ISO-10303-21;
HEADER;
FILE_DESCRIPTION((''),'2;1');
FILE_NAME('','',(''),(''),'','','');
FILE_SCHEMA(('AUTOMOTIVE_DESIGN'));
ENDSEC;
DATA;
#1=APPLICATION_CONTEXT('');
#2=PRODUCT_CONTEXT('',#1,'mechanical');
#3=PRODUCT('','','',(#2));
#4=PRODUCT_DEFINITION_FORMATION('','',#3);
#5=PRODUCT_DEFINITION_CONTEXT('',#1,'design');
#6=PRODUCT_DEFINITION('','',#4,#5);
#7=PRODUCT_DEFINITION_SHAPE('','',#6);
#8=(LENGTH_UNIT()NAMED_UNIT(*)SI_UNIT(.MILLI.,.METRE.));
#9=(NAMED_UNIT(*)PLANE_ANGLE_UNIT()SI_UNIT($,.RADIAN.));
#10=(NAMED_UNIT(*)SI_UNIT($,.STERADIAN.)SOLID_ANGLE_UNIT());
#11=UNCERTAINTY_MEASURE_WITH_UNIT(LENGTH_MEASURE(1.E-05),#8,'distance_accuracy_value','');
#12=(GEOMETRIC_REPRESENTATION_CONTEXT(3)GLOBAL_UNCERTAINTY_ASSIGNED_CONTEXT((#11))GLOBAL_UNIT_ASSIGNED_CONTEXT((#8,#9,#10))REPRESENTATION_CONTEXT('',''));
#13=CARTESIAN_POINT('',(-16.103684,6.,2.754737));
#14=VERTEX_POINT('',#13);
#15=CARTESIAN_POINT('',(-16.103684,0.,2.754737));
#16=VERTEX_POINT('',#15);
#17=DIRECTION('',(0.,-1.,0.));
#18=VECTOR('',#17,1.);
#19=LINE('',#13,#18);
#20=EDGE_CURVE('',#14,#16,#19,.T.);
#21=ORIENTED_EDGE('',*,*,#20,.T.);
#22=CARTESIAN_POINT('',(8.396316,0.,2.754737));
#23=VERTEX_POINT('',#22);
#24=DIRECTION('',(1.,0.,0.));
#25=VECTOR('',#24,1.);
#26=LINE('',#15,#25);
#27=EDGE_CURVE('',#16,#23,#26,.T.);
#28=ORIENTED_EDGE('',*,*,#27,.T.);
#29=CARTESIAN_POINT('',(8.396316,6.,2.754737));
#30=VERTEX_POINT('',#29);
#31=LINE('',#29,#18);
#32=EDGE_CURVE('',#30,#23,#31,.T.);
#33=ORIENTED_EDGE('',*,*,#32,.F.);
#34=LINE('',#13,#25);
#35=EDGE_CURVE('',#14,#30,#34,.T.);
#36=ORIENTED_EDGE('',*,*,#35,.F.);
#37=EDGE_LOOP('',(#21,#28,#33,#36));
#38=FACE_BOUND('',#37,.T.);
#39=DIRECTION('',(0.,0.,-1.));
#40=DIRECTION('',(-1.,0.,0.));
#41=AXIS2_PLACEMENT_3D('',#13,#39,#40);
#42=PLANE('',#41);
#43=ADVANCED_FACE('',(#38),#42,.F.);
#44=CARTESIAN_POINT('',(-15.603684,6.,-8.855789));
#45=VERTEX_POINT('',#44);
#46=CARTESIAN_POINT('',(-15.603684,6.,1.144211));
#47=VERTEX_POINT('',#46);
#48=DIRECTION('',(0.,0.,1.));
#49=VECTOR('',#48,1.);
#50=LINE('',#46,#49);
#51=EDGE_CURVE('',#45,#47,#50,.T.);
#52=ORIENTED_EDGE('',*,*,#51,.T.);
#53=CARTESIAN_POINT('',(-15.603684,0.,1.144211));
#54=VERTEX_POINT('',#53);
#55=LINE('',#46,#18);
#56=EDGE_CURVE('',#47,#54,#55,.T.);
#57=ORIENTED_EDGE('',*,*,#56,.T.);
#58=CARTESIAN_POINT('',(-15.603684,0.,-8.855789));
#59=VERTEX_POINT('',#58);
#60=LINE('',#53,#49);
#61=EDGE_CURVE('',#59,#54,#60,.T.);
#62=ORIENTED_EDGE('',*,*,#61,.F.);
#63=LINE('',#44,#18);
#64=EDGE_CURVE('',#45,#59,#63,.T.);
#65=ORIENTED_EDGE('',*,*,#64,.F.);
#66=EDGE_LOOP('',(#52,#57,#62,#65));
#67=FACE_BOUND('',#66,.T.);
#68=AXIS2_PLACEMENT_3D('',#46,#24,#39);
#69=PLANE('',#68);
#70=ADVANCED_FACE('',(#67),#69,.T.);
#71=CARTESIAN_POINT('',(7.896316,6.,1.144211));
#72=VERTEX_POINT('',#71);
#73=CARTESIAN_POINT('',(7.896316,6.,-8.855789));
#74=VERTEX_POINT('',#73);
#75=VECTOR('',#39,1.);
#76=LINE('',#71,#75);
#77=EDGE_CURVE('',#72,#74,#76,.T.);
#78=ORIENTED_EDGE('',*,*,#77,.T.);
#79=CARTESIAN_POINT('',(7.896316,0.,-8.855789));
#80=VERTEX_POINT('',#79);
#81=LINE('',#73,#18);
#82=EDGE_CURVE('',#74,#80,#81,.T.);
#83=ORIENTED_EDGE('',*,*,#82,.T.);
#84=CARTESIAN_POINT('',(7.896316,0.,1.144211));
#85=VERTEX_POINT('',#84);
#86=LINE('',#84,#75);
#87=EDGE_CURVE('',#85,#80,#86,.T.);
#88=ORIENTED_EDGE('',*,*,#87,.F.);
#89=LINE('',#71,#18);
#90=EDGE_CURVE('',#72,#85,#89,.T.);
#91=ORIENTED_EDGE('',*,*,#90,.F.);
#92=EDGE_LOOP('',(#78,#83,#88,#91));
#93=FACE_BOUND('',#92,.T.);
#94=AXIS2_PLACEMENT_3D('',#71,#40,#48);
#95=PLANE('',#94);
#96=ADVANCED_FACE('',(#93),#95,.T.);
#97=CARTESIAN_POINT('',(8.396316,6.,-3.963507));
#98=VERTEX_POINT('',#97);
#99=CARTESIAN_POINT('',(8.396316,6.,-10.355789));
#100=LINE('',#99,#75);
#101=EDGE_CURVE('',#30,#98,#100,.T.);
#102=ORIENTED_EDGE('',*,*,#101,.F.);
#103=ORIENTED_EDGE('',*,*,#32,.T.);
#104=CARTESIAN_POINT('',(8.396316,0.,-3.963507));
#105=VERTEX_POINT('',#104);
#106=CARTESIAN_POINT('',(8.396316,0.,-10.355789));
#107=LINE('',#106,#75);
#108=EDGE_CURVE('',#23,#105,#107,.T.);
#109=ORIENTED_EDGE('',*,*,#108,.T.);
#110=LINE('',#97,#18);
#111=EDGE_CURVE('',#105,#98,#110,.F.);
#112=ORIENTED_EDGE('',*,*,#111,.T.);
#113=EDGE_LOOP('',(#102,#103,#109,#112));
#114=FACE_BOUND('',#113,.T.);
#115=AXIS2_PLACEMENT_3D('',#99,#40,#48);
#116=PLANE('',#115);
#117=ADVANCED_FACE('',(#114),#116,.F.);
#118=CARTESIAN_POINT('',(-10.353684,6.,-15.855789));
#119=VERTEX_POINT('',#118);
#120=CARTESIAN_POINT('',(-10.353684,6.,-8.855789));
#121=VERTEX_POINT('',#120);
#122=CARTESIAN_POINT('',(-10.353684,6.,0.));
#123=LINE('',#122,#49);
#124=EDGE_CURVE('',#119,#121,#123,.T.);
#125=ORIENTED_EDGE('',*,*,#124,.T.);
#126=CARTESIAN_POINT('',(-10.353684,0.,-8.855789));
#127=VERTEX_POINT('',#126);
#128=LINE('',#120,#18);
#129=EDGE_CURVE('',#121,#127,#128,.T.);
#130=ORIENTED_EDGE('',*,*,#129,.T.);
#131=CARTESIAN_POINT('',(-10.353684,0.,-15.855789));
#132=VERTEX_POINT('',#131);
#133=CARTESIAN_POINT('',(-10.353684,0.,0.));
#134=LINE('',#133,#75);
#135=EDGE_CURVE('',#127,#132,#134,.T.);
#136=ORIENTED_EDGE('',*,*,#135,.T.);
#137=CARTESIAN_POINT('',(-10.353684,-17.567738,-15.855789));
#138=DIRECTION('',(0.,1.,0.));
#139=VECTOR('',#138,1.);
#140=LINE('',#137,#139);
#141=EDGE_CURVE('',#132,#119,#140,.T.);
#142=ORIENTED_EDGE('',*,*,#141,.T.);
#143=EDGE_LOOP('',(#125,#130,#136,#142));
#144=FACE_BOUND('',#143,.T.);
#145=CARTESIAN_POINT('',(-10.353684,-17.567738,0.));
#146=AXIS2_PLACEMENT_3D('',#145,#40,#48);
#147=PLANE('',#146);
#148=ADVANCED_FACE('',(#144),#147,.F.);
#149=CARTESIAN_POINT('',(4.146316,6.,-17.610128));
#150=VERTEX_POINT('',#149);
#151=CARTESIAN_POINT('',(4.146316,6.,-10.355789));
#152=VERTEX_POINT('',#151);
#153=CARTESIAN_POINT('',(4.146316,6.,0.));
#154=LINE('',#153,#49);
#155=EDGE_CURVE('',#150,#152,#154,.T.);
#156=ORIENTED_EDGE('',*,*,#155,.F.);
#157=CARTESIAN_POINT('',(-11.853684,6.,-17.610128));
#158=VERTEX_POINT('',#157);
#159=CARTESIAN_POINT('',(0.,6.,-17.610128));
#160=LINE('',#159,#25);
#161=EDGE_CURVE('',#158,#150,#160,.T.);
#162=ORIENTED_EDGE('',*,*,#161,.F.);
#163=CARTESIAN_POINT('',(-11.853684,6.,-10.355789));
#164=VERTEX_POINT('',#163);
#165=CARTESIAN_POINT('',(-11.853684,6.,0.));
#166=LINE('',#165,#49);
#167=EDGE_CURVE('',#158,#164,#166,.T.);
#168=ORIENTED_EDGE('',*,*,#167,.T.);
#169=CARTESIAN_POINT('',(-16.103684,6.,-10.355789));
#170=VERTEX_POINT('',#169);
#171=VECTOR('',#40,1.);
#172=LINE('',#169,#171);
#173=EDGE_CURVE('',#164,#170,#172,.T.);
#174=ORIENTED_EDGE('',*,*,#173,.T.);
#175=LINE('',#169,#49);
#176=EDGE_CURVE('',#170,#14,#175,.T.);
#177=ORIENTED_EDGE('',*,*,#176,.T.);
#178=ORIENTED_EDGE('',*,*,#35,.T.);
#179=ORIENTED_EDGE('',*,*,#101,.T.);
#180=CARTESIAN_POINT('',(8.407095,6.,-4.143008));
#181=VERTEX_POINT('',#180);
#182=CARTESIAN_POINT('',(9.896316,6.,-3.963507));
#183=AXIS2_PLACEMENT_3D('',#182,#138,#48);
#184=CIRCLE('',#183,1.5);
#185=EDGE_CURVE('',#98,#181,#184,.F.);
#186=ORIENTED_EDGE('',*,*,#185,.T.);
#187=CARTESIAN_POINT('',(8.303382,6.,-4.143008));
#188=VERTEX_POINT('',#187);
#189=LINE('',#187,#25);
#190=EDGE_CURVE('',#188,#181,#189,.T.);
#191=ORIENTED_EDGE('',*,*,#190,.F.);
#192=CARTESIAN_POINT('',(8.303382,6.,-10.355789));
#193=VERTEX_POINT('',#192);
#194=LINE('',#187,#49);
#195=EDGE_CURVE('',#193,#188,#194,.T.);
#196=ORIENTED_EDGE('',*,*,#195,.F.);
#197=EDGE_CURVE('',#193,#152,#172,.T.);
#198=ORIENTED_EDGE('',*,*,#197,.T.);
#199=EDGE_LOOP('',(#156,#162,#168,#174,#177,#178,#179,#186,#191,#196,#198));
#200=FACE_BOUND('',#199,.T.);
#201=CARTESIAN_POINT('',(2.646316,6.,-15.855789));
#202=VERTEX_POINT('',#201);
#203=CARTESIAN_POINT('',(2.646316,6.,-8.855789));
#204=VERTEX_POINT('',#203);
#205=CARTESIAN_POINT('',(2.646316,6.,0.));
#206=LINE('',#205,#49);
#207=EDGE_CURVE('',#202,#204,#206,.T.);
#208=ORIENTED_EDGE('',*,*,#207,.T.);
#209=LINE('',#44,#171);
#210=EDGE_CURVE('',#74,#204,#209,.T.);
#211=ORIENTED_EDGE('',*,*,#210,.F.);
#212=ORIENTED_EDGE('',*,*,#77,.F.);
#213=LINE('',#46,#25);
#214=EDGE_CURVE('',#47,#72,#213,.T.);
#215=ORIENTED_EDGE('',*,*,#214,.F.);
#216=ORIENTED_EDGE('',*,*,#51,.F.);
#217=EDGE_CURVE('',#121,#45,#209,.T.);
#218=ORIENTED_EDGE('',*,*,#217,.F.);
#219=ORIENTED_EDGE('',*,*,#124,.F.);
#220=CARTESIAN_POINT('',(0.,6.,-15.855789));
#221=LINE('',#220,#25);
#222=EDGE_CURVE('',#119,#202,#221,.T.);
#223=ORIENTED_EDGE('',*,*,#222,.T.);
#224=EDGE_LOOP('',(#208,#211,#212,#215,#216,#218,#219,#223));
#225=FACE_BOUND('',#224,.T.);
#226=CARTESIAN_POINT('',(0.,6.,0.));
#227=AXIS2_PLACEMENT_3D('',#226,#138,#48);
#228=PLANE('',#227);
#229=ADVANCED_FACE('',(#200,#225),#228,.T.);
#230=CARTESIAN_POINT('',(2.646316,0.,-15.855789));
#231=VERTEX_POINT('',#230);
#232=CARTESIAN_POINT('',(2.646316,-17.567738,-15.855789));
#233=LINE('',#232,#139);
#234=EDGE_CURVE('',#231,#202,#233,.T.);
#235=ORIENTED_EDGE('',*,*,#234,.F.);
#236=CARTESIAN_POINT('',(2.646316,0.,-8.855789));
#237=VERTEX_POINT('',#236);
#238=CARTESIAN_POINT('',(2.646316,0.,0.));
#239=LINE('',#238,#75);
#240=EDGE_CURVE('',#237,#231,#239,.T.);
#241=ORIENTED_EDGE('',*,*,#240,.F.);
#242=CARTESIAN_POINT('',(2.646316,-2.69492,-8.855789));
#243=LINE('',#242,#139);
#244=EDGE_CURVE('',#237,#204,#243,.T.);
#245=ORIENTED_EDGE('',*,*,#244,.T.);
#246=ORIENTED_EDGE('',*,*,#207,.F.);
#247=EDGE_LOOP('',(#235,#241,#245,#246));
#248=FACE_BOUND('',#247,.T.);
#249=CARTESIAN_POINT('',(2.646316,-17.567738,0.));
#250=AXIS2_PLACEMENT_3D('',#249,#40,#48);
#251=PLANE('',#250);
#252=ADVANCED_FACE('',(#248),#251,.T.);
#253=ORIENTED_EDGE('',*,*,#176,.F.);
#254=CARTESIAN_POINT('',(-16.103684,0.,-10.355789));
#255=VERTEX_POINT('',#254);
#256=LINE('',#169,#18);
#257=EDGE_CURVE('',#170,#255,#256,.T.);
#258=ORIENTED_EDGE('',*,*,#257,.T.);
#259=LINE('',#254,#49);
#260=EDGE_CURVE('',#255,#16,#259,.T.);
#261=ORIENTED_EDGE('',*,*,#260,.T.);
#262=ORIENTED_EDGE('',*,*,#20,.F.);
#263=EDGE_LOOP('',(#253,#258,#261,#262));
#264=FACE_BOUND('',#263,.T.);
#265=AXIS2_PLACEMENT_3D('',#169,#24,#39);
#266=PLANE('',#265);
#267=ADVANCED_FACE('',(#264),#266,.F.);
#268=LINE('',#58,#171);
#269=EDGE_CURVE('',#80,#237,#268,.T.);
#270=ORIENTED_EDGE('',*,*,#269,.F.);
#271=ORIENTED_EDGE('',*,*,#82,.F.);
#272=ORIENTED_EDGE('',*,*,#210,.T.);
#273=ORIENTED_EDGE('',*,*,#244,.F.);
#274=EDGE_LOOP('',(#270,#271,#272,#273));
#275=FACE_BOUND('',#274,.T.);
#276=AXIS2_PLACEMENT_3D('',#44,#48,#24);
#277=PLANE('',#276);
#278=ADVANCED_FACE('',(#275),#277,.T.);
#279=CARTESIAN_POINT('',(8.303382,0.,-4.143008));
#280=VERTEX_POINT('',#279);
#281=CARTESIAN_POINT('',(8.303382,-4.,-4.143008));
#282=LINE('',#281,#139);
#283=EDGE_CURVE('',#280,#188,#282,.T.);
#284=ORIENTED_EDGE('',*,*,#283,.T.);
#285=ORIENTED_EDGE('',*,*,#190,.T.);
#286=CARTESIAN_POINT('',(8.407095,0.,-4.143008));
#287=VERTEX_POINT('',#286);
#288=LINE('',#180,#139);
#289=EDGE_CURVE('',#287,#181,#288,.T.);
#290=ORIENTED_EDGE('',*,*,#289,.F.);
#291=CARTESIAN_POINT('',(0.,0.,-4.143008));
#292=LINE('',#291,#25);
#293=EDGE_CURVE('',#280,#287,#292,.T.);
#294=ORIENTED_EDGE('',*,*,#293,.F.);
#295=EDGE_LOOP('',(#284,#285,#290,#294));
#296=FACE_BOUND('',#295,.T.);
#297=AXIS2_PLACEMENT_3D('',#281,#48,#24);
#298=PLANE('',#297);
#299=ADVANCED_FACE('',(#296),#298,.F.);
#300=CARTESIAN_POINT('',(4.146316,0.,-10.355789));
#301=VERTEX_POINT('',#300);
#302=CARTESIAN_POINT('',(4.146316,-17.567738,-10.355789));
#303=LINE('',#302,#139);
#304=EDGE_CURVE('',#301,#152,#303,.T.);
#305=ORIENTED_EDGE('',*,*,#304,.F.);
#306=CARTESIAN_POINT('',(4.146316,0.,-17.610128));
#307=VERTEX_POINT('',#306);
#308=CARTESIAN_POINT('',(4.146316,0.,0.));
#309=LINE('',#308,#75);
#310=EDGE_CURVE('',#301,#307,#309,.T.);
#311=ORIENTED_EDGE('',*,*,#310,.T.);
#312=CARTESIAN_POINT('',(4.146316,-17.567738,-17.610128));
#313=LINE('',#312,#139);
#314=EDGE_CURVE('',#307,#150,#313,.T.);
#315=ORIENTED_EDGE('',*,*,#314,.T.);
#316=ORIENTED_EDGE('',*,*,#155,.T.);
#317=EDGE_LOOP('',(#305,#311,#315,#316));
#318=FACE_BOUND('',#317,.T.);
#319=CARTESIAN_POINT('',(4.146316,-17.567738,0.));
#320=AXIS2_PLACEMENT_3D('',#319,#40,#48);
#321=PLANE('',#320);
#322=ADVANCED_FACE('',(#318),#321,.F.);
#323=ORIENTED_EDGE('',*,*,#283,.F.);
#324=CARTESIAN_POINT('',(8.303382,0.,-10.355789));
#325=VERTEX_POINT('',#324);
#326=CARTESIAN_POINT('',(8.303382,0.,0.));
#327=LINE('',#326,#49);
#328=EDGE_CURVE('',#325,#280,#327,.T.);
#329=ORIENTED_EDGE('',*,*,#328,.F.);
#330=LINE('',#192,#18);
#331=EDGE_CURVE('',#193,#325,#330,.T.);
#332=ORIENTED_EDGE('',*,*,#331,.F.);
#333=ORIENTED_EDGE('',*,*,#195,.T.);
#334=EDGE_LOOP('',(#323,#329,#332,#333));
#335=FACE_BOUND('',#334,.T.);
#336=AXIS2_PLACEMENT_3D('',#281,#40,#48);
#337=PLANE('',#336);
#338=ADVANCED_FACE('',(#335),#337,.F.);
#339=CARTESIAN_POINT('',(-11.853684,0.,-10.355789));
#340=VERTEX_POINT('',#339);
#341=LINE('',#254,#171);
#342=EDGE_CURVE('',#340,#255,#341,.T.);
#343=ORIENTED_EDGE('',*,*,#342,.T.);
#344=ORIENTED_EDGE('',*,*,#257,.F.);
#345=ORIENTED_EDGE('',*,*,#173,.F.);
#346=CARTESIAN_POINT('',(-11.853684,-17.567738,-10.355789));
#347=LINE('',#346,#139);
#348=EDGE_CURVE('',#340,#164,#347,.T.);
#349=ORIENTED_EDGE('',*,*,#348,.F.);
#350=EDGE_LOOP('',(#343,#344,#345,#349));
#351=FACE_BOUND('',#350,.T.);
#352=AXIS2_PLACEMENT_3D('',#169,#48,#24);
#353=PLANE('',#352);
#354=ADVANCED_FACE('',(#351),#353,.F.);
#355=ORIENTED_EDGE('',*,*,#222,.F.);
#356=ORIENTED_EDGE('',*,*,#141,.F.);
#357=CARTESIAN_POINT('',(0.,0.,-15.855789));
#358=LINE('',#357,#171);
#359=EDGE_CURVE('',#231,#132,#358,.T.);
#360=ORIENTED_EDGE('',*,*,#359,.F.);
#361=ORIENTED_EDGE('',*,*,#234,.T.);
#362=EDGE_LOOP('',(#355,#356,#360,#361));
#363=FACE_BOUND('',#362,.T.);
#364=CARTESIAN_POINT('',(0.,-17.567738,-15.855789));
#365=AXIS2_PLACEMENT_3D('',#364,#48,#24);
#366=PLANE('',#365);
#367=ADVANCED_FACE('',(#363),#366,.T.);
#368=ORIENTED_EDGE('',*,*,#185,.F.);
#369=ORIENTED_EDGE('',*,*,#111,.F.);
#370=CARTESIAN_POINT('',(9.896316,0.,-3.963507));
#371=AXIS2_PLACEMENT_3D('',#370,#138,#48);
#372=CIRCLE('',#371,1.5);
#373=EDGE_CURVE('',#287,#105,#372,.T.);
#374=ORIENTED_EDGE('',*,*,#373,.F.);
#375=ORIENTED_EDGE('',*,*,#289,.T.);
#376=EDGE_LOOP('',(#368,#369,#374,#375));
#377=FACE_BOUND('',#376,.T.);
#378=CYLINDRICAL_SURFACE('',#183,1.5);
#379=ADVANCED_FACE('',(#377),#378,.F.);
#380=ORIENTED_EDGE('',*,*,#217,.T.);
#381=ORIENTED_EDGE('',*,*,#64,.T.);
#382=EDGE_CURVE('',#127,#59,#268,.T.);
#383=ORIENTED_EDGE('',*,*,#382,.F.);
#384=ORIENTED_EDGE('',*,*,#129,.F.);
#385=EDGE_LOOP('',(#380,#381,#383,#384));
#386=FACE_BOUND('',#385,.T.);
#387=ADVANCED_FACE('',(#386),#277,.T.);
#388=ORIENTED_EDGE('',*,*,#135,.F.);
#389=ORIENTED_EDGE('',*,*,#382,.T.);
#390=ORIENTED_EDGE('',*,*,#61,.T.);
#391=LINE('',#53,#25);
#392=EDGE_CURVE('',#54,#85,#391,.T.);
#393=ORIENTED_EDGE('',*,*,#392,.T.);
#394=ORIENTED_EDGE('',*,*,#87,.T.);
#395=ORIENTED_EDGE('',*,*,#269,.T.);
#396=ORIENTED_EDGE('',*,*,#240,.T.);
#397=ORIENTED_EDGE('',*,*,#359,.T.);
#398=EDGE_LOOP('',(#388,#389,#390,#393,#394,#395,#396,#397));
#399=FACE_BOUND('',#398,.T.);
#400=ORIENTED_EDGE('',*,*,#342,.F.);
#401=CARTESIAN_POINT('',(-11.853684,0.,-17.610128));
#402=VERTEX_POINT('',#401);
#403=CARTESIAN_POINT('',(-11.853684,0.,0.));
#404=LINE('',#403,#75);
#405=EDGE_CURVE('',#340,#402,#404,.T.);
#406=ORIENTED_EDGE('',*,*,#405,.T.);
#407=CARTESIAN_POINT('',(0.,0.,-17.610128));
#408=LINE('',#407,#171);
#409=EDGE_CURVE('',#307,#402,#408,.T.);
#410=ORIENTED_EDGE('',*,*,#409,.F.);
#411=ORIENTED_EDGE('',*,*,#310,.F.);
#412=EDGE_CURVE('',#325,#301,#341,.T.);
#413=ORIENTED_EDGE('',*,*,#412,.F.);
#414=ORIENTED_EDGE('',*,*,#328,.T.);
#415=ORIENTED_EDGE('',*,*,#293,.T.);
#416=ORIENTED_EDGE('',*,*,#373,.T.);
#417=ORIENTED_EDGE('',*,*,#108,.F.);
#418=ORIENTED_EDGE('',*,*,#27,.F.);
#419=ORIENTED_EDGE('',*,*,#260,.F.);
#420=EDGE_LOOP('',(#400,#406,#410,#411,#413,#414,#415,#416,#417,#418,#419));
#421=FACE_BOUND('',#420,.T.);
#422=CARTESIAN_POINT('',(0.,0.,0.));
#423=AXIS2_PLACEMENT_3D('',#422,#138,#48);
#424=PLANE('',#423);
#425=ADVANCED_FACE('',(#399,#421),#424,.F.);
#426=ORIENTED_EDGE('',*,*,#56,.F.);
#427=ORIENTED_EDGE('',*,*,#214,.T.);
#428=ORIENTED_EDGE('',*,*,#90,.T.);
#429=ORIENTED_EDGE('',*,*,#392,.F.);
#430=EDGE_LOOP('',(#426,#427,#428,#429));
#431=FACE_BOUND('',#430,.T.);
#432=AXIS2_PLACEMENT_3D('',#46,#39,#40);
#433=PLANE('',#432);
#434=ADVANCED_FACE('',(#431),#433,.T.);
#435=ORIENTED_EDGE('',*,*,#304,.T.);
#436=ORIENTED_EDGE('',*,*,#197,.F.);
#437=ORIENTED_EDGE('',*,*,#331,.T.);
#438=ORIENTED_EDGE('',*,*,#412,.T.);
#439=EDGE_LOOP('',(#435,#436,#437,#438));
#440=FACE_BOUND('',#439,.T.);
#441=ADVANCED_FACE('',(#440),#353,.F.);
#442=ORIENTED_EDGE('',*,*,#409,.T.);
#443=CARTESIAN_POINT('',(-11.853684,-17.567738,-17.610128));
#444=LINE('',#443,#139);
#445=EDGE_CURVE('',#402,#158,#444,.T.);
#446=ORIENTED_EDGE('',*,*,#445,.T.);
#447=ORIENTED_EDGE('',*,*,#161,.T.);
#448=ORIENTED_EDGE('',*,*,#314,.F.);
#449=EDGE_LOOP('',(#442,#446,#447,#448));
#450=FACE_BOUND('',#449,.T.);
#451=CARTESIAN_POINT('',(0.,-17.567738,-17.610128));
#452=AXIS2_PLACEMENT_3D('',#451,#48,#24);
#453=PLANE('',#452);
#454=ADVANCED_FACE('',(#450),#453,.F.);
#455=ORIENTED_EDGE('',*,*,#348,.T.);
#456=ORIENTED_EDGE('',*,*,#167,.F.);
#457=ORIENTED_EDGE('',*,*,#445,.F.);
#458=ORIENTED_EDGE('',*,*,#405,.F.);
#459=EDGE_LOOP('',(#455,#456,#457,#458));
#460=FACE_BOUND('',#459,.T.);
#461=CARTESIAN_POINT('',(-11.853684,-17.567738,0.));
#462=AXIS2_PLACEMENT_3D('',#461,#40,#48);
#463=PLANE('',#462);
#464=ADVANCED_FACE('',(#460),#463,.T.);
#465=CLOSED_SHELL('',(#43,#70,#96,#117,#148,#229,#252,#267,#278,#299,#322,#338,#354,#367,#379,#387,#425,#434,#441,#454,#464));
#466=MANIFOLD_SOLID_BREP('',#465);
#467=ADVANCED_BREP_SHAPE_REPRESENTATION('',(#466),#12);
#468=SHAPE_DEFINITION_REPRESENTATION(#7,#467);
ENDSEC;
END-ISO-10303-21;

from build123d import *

# Parameters (mm, degrees)
SKETCH1_W           = 24.5
SKETCH1_H           = 13.110526316
SKETCH1_W_2         = 23.5
SKETCH1_H_2         = 10
BOSS_EXTRUDE1_DEPTH = 6
BOSS_EXTRUDE2_DEPTH = 6
SKETCH3_W           = 13.982681085
SKETCH3_H           = 4.437803864
CUT_EXTRUDE1_DEPTH  = 11
SKETCH4_W           = 0.982681085
SKETCH4_H           = 2.509369157
BOSS_EXTRUDE3_DEPTH = 6
SKETCH5_W           = 4.892282449
SKETCH5_H           = 6
BOSS_EXTRUDE4_DEPTH = 3.3
FILLET1_R           = 1.5
SKETCH6_W           = 3.982650634
SKETCH6_H           = 6.804776745
CUT_EXTRUDE2_DEPTH  = 10


with BuildPart() as part:
    # Sketch1 → Boss-Extrude1 (new body)
    with BuildSketch(Plane(origin=(0, 0, 0), x_dir=(1, 0, 0), z_dir=(0, 1, 0))):
        with Locations((-3.853684211, 3.800526316)):
            Rectangle(SKETCH1_W, SKETCH1_H)
        with Locations((-3.853684211, 3.855789474)):
            Rectangle(SKETCH1_W_2, SKETCH1_H_2, mode=Mode.SUBTRACT)
    extrude(amount=BOSS_EXTRUDE1_DEPTH)

    # Sketch2 → Boss-Extrude2 (add)
    with BuildSketch(Plane(origin=(0, 6, 0), x_dir=(1, 0, 0), z_dir=(0, 1, 0))):
        Polygon((-10.353684211, 10.355789474), (-10.353684211, 15.855789474), (2.646315789, 15.855789474), (2.646315789, 10.355789474), (4.146315789, 10.355789474), (4.146315789, 17.610127639), (-11.853684211, 17.610127639), (-11.853684211, 10.355789474), align=None)
    extrude(amount=-BOSS_EXTRUDE2_DEPTH)

    # Sketch3 → Cut-Extrude1 (cut)
    with BuildSketch(Plane(origin=(0, 6, 0), x_dir=(1, 0, 0), z_dir=(0, 1, 0))):
        with Locations((-3.362343669, 9.146256699)):
            Rectangle(SKETCH3_W, SKETCH3_H)
    extrude(amount=-CUT_EXTRUDE1_DEPTH, mode=Mode.SUBTRACT)

    # Sketch4 → Boss-Extrude3 (add)
    with BuildSketch(Plane(origin=(0, 6, 0), x_dir=(1, 0, 0), z_dir=(0, 1, 0))):
        with Locations((3.137656332, 10.110474052)):
            Rectangle(SKETCH4_W, SKETCH4_H)
    extrude(amount=-BOSS_EXTRUDE3_DEPTH)

    # Sketch5 → Boss-Extrude4 (add)
    with BuildSketch(Plane(origin=(8.396315789, 0, 0), x_dir=(0, 0, -1), z_dir=(1, 0, 0))):
        with Locations((7.90964825, 3)):
            Rectangle(SKETCH5_W, SKETCH5_H)
    extrude(amount=BOSS_EXTRUDE4_DEPTH)

    # Fillet1
    fillet1_edges = [part.edges().sort_by_distance(p)[0] for p in [
        (8.396315789, 3, -5.463507025),
    ]]
    fillet(fillet1_edges, radius=FILLET1_R)

    # Sketch6 → Cut-Extrude2 (cut)
    with BuildSketch(Plane(origin=(0, 6, 0), x_dir=(1, 0, 0), z_dir=(0, 1, 0))):
        with Locations((10.294706848, 7.545396136)):
            Rectangle(SKETCH6_W, SKETCH6_H)
    extrude(amount=-CUT_EXTRUDE2_DEPTH, mode=Mode.SUBTRACT)


solid = part.part
